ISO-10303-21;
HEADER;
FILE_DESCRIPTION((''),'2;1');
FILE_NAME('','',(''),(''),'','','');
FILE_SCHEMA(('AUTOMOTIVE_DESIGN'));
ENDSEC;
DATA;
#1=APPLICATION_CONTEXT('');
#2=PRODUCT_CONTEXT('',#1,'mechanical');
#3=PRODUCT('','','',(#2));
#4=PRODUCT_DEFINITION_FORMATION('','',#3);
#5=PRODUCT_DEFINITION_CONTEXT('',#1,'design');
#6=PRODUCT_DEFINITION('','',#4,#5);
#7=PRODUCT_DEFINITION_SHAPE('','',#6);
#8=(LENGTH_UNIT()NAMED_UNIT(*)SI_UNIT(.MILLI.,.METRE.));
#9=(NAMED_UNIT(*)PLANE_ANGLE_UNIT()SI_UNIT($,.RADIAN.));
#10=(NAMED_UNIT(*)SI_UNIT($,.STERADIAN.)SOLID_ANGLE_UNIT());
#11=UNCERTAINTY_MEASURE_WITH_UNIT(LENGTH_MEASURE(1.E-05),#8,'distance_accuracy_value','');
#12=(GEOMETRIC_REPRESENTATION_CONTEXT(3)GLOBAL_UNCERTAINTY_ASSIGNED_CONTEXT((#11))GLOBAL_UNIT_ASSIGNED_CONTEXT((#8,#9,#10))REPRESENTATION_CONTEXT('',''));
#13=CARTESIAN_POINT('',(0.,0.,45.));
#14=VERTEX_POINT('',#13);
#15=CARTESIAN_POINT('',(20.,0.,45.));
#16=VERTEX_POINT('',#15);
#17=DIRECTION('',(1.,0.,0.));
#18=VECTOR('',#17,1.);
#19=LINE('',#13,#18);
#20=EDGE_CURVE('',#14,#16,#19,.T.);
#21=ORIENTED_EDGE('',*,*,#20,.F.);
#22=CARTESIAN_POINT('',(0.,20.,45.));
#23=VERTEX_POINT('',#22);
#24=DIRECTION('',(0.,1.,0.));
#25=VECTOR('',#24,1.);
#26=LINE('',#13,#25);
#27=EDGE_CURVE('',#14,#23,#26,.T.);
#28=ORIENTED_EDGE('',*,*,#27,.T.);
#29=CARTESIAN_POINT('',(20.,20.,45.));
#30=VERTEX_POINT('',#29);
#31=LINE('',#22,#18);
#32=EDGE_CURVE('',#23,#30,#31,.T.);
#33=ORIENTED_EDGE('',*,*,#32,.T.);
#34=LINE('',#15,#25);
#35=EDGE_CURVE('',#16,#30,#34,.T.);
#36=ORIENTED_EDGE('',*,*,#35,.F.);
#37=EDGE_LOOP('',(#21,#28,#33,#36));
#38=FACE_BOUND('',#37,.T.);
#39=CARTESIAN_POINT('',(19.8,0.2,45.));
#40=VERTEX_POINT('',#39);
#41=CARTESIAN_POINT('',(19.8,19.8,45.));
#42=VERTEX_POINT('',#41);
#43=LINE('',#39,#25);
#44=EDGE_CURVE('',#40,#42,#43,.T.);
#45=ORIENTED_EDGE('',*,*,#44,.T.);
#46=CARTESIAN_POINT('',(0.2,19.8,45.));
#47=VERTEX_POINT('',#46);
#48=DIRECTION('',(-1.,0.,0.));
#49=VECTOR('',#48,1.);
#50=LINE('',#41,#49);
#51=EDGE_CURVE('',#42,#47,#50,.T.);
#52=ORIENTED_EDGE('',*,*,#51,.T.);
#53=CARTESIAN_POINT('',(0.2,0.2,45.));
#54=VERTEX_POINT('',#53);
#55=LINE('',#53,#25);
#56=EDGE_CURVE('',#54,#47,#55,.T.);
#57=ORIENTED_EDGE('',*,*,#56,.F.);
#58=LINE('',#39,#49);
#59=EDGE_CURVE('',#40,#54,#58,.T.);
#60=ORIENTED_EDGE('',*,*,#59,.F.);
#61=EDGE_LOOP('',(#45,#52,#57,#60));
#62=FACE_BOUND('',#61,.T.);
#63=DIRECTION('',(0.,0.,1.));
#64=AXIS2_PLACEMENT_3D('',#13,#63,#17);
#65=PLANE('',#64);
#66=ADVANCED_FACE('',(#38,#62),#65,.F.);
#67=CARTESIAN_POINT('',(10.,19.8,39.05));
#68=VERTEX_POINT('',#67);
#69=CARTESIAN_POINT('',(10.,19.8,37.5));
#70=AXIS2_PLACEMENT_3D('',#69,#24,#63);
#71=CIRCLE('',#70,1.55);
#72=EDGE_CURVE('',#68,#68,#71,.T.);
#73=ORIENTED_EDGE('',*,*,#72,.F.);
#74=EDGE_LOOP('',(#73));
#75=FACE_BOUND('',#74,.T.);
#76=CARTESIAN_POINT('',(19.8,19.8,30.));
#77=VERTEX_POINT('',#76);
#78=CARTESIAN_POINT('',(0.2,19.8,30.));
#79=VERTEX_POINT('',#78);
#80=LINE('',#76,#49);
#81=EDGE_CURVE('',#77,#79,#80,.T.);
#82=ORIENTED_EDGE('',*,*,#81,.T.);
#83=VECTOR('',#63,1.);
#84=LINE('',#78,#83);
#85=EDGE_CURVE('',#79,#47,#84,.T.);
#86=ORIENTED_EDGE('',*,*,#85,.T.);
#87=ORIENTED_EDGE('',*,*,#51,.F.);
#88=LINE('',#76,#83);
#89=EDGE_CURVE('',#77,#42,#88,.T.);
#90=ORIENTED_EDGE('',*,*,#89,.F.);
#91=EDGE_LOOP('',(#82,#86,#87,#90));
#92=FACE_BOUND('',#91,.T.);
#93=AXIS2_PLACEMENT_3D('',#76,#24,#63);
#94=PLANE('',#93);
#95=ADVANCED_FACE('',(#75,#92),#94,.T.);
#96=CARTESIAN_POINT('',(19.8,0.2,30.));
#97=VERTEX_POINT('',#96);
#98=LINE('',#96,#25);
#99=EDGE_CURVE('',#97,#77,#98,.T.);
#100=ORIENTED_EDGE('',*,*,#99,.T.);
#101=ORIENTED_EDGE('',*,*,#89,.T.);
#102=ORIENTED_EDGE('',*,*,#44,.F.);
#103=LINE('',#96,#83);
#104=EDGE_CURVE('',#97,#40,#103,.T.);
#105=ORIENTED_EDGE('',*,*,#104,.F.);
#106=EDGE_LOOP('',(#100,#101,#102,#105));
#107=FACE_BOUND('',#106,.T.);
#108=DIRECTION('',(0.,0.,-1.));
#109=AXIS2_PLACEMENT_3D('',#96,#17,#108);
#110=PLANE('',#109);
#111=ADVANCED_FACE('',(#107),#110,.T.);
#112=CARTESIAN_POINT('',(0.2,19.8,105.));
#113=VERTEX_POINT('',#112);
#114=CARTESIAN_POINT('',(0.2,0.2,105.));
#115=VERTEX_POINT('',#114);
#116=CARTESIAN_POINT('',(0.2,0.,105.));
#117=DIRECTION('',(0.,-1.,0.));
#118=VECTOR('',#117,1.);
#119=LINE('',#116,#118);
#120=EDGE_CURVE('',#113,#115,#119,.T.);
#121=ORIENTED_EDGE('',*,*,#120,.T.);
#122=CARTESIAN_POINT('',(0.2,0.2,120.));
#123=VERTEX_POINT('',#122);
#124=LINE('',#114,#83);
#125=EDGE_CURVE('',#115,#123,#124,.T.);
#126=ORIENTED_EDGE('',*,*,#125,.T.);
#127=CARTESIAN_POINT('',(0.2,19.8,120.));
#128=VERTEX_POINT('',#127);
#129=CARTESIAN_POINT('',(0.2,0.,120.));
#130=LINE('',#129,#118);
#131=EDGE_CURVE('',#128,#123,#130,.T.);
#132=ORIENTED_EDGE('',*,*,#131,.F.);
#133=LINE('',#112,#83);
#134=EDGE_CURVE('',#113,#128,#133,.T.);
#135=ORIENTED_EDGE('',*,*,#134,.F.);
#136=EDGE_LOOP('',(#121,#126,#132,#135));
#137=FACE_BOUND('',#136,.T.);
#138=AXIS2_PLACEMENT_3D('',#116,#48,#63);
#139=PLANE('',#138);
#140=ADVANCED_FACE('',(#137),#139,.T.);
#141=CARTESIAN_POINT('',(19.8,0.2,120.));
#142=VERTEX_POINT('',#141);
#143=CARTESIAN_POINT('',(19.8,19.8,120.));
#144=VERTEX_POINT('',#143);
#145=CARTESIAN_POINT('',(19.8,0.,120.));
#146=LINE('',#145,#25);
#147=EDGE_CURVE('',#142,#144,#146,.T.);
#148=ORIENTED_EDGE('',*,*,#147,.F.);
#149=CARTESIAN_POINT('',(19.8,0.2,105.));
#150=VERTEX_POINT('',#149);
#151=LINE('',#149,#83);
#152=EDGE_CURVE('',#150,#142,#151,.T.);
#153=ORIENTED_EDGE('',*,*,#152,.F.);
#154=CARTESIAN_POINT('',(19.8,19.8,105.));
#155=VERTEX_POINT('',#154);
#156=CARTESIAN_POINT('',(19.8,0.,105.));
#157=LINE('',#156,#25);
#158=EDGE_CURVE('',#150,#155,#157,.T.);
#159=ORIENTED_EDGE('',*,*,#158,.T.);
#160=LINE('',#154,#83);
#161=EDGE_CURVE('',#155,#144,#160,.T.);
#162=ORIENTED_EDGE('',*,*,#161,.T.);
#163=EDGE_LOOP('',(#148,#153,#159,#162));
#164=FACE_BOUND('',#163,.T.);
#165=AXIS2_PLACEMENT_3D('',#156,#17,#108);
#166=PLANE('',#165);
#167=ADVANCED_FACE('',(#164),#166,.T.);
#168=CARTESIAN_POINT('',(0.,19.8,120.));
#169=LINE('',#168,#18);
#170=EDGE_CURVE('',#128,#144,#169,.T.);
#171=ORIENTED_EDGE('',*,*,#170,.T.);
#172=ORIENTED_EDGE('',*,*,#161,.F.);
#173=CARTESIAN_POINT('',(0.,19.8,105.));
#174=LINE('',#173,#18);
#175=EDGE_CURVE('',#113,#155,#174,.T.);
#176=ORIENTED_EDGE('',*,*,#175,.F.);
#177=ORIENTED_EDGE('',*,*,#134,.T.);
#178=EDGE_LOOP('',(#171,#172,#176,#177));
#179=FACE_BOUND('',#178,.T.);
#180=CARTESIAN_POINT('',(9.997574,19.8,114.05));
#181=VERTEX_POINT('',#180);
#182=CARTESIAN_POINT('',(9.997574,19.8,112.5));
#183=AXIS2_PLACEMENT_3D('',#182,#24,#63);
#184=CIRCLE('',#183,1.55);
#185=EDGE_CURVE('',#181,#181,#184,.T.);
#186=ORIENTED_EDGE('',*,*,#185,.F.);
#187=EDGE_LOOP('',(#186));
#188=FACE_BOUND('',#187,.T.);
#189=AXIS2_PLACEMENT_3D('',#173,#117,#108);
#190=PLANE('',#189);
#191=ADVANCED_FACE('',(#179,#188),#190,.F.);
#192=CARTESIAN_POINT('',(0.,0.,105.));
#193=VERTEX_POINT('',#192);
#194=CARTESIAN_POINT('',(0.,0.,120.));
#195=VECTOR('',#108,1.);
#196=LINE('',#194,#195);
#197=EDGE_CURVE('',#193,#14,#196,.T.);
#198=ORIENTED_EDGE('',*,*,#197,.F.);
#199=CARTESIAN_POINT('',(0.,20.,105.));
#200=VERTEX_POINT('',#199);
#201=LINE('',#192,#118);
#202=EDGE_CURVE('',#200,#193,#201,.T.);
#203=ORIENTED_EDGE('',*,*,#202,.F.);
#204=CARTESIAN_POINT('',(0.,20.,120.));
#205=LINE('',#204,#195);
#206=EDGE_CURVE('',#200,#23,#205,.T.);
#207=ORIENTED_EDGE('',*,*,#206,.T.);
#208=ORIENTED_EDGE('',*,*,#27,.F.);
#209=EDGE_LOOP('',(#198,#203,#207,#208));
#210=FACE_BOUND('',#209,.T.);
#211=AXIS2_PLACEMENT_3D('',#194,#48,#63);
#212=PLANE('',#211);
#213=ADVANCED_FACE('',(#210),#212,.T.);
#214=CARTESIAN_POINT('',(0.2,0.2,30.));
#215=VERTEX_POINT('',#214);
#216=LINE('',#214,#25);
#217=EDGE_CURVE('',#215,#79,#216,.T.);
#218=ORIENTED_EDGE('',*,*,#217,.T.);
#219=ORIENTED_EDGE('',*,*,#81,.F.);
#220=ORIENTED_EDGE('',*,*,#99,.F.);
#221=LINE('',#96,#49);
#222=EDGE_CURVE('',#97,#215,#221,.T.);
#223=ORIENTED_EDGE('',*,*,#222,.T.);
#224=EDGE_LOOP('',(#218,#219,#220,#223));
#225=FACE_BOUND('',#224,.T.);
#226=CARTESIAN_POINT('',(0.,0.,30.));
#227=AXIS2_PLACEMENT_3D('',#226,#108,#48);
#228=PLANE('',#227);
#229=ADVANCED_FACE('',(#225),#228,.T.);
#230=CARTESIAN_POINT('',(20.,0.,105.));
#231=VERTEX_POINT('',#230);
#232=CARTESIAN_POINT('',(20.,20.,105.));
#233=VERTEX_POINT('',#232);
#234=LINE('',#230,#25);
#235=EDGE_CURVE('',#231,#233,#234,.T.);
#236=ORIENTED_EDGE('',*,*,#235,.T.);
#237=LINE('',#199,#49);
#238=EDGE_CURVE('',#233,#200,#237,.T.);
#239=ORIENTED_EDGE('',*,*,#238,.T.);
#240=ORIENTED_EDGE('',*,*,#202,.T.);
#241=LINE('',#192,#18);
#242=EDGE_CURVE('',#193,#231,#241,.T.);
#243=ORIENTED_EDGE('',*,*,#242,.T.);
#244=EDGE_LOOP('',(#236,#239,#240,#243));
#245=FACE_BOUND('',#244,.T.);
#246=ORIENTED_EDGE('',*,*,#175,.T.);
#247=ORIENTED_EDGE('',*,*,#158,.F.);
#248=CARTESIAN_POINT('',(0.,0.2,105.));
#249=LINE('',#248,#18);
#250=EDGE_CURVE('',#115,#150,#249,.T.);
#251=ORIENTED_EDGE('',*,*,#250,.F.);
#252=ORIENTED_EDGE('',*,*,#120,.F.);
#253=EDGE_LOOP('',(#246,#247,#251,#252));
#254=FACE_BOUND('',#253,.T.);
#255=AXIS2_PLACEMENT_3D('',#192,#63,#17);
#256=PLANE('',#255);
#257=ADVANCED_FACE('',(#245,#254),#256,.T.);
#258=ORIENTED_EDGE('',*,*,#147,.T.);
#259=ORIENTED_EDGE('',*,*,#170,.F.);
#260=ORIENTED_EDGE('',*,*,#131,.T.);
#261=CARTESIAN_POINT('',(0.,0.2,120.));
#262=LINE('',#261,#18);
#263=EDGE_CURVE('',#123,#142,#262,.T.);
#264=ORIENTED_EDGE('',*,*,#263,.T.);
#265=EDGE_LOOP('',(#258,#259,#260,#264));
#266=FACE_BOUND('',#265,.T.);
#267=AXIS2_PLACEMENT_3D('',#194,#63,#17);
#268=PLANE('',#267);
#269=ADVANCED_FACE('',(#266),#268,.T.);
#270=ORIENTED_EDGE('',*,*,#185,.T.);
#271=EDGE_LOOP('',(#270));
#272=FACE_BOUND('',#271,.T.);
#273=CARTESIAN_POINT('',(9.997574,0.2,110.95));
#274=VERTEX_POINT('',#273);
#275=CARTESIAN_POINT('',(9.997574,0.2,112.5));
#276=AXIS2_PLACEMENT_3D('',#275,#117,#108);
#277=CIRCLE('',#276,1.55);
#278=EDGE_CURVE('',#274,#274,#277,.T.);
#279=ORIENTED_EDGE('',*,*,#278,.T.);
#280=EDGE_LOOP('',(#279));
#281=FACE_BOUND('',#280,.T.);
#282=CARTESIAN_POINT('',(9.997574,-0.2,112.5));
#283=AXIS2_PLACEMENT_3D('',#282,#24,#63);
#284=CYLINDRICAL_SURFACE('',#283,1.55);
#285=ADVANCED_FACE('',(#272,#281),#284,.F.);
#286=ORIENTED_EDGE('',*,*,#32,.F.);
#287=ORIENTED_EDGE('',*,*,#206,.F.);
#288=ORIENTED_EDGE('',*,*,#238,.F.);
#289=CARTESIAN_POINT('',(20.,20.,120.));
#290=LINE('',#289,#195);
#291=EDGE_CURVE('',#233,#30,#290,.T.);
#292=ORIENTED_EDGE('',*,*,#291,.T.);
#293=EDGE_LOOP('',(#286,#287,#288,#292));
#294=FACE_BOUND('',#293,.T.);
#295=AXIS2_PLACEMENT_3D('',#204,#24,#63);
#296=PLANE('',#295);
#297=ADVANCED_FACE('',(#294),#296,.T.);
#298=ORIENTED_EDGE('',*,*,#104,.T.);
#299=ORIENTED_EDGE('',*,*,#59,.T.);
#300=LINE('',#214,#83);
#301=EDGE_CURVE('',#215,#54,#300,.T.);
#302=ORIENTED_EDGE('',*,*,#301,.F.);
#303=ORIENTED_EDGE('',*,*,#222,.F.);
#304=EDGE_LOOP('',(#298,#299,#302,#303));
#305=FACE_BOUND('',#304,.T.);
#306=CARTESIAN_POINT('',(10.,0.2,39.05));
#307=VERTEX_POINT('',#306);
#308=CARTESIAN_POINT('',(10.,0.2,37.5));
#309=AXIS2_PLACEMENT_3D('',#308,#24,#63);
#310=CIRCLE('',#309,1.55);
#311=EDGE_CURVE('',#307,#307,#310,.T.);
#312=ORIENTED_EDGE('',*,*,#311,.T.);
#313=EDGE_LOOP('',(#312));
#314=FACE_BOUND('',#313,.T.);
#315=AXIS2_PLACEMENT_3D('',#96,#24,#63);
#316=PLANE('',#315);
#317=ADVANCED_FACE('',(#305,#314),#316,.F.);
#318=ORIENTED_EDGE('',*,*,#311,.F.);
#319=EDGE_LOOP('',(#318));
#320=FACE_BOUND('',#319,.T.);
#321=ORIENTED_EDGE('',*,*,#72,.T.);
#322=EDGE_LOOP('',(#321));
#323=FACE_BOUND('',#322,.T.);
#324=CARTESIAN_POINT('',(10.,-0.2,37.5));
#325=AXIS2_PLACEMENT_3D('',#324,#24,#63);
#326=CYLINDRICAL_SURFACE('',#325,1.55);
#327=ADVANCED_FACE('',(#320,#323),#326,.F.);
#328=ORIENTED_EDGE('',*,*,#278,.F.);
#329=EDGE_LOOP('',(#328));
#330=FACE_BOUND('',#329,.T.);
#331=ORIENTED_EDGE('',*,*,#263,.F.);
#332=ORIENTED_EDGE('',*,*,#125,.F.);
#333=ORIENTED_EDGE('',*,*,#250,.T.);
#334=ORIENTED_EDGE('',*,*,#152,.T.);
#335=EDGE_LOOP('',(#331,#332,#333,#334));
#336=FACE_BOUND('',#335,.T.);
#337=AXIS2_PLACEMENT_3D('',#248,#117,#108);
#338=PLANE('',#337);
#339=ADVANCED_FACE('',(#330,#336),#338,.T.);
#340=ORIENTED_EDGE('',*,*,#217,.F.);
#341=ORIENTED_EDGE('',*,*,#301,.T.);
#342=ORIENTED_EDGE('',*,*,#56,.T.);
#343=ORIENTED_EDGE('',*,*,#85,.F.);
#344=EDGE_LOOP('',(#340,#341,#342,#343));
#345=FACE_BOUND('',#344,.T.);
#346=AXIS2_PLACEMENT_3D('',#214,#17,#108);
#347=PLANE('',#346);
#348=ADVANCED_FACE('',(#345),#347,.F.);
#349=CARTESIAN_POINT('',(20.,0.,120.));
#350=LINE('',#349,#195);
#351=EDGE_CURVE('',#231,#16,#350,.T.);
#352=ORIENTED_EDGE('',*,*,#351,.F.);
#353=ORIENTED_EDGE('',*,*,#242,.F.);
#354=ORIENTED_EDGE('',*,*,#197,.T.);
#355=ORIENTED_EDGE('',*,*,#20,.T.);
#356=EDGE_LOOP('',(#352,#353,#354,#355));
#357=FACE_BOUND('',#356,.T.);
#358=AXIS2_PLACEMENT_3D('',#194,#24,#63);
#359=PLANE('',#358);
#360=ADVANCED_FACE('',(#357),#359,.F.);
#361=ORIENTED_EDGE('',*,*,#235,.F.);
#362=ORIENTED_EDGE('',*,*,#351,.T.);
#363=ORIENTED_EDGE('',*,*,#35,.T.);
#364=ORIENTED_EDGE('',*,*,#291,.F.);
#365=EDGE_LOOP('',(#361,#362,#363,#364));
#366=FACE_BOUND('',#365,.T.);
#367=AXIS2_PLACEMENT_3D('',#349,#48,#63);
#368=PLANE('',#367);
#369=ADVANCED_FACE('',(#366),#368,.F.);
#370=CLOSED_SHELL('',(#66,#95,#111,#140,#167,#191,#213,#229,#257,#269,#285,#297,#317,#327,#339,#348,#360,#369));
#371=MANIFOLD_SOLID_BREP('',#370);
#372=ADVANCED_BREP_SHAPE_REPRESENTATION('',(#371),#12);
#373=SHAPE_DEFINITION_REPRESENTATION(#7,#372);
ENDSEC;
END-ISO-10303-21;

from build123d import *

# Parameters (mm, degrees)
SKETCH_1_W          = 20
SKETCH_1_H          = 20
EXTRUDE_1_DEPTH     = 120
SKETCH_2_W          = 10
SKETCH_2_H          = 20
CUT_EXTRUDE_1_DEPTH = 120
CUT_EXTRUDE_2_DEPTH = 120
SKETCH_4_R          = 3
CUT_EXTRUDE_3_DEPTH = 2
SKETCH_8_W          = 19.6
SKETCH_8_H          = 0.2
SKETCH_8_W_2        = 0.2
SKETCH_8_H_2        = 19.6
CUT_EXTRUDE_6_DEPTH = 15
SKETCH_9_W          = 10
SKETCH_9_H          = 20
CUT_EXTRUDE_7_DEPTH = 20
SKETCH_10_W         = 19.6
SKETCH_10_H         = 19.6
EXTRUDE_2_DEPTH     = 15
CUT_EXTRUDE_8_DEPTH = 20
CUT_EXTRUDE_9_DEPTH = 20


with BuildPart() as part:
    # 草图1 → 凸台-拉伸1 (new body)
    with BuildSketch(Plane.XY):
        with Locations((10, 10)):
            Rectangle(SKETCH_1_W, SKETCH_1_H)
    extrude(amount=EXTRUDE_1_DEPTH)

    # 草图2 → 切除-拉伸1 (cut)
    with BuildSketch(Plane(origin=(0, 20, 0), x_dir=(1, 0, 0), z_dir=(0, 1, 0))):
        with Locations((15, -10)):
            Rectangle(SKETCH_2_W, SKETCH_2_H)
    extrude(amount=-CUT_EXTRUDE_1_DEPTH, mode=Mode.SUBTRACT)

    # 草图3 → 切除-拉伸2 (cut)
    with BuildSketch(Plane(origin=(10, 0, 0), x_dir=(0, 0, -1), z_dir=(1, 0, 0))):
        with BuildLine():
            ThreePointArc((-8.45, 10), (-9.40684068, 11.432013275), (-11.096015511, 11.096015511))
            Line((-11.096015511, 11.096015511), (-8.903984489, 8.903984489))
            ThreePointArc((-8.903984489, 8.903984489), (-8.567986725, 9.40684068), (-8.45, 10))
        make_face()
        with BuildLine():
            Line((-8.903984489, 8.903984489), (-11.096015511, 11.096015511))
            ThreePointArc((-11.096015511, 11.096015511), (-11.096015511, 8.903984489), (-8.903984489, 8.903984489))
        make_face()
    extrude(amount=-CUT_EXTRUDE_2_DEPTH, mode=Mode.SUBTRACT)

    # 草图4 → 切除-拉伸3 (cut)
    with BuildSketch(Plane.ZY):
        with Locations((10, 10)):
            Circle(SKETCH_4_R)
    extrude(amount=-CUT_EXTRUDE_3_DEPTH, mode=Mode.SUBTRACT)

    # 草图8 → 切除-拉伸6 (cut)
    with BuildSketch(Plane.XY.offset(120)):
        with Locations((10, 19.9)):
            Rectangle(SKETCH_8_W, SKETCH_8_H)
        with Locations((0.1, 19.9)):
            Rectangle(SKETCH_8_W_2, SKETCH_8_H)
        with Locations((0.1, 10)):
            Rectangle(SKETCH_8_W_2, SKETCH_8_H_2)
        with Locations((19.9, 10)):
            Rectangle(SKETCH_8_W_2, SKETCH_8_H_2)
        with Locations((19.9, 0.1)):
            Rectangle(SKETCH_8_W_2, SKETCH_8_H)
        with Locations((10, 0.1)):
            Rectangle(SKETCH_8_W, SKETCH_8_H)
        with Locations((0.1, 0.1)):
            Rectangle(SKETCH_8_W_2, SKETCH_8_H)
        with Locations((19.9, 19.9)):
            Rectangle(SKETCH_8_W_2, SKETCH_8_H)
    extrude(amount=-CUT_EXTRUDE_6_DEPTH, mode=Mode.SUBTRACT)

    # 草图9 → 切除-拉伸7 (cut)
    with BuildSketch(Plane(origin=(0, 20, 0), x_dir=(1, 0, 0), z_dir=(0, 1, 0))):
        Polygon((0, 0), (0, -45), (20, -45), (20, -20), (10, -20), (10, 0), align=None)
        with Locations((15, -10)):
            Rectangle(SKETCH_9_W, SKETCH_9_H)
    extrude(amount=-CUT_EXTRUDE_7_DEPTH, mode=Mode.SUBTRACT)

    # 草图10 → 凸台-拉伸2 (add)
    with BuildSketch(Plane(origin=(0, 0, 45), x_dir=(-1, 0, 0), z_dir=(0, 0, -1))):
        with Locations((-10, 10)):
            Rectangle(SKETCH_10_W, SKETCH_10_H)
    extrude(amount=EXTRUDE_2_DEPTH)

    # 草图11 → 切除-拉伸8 (cut)
    with BuildSketch(Plane(origin=(0, 19.8, 0), x_dir=(1, 0, 0), z_dir=(0, 1, 0))):
        with BuildLine():
            ThreePointArc((11.547573501, -112.5), (10.487812185, -111.029569439), (8.757681845, -111.569855559))
            Line((8.757681845, -111.569855559), (11.237465157, -113.430144441))
            ThreePointArc((11.237465157, -113.430144441), (11.468004062, -112.990238683), (11.547573501, -112.5))
        make_face()
        with BuildLine():
            Line((11.237465157, -113.430144441), (8.757681845, -111.569855559))
            ThreePointArc((8.757681845, -111.569855559), (9.06742906, -113.739891656), (11.237465157, -113.430144441))
        make_face()
    extrude(amount=-CUT_EXTRUDE_8_DEPTH, mode=Mode.SUBTRACT)

    # 草图12 → 切除-拉伸9 (cut)
    with BuildSketch(Plane(origin=(0, 19.8, 0), x_dir=(1, 0, 0), z_dir=(0, 1, 0))):
        with BuildLine():
            ThreePointArc((11.55, -37.5), (10.490153037, -36.029540888), (8.76, -36.57))
            Line((8.76, -36.57), (11.24, -38.43))
            ThreePointArc((11.24, -38.43), (11.470459112, -37.990153037), (11.55, -37.5))
        make_face()
        with BuildLine():
            Line((11.24, -38.43), (8.76, -36.57))
            ThreePointArc((8.76, -36.57), (9.07, -38.74), (11.24, -38.43))
        make_face()
    extrude(amount=-CUT_EXTRUDE_9_DEPTH, mode=Mode.SUBTRACT)


solid = part.part
